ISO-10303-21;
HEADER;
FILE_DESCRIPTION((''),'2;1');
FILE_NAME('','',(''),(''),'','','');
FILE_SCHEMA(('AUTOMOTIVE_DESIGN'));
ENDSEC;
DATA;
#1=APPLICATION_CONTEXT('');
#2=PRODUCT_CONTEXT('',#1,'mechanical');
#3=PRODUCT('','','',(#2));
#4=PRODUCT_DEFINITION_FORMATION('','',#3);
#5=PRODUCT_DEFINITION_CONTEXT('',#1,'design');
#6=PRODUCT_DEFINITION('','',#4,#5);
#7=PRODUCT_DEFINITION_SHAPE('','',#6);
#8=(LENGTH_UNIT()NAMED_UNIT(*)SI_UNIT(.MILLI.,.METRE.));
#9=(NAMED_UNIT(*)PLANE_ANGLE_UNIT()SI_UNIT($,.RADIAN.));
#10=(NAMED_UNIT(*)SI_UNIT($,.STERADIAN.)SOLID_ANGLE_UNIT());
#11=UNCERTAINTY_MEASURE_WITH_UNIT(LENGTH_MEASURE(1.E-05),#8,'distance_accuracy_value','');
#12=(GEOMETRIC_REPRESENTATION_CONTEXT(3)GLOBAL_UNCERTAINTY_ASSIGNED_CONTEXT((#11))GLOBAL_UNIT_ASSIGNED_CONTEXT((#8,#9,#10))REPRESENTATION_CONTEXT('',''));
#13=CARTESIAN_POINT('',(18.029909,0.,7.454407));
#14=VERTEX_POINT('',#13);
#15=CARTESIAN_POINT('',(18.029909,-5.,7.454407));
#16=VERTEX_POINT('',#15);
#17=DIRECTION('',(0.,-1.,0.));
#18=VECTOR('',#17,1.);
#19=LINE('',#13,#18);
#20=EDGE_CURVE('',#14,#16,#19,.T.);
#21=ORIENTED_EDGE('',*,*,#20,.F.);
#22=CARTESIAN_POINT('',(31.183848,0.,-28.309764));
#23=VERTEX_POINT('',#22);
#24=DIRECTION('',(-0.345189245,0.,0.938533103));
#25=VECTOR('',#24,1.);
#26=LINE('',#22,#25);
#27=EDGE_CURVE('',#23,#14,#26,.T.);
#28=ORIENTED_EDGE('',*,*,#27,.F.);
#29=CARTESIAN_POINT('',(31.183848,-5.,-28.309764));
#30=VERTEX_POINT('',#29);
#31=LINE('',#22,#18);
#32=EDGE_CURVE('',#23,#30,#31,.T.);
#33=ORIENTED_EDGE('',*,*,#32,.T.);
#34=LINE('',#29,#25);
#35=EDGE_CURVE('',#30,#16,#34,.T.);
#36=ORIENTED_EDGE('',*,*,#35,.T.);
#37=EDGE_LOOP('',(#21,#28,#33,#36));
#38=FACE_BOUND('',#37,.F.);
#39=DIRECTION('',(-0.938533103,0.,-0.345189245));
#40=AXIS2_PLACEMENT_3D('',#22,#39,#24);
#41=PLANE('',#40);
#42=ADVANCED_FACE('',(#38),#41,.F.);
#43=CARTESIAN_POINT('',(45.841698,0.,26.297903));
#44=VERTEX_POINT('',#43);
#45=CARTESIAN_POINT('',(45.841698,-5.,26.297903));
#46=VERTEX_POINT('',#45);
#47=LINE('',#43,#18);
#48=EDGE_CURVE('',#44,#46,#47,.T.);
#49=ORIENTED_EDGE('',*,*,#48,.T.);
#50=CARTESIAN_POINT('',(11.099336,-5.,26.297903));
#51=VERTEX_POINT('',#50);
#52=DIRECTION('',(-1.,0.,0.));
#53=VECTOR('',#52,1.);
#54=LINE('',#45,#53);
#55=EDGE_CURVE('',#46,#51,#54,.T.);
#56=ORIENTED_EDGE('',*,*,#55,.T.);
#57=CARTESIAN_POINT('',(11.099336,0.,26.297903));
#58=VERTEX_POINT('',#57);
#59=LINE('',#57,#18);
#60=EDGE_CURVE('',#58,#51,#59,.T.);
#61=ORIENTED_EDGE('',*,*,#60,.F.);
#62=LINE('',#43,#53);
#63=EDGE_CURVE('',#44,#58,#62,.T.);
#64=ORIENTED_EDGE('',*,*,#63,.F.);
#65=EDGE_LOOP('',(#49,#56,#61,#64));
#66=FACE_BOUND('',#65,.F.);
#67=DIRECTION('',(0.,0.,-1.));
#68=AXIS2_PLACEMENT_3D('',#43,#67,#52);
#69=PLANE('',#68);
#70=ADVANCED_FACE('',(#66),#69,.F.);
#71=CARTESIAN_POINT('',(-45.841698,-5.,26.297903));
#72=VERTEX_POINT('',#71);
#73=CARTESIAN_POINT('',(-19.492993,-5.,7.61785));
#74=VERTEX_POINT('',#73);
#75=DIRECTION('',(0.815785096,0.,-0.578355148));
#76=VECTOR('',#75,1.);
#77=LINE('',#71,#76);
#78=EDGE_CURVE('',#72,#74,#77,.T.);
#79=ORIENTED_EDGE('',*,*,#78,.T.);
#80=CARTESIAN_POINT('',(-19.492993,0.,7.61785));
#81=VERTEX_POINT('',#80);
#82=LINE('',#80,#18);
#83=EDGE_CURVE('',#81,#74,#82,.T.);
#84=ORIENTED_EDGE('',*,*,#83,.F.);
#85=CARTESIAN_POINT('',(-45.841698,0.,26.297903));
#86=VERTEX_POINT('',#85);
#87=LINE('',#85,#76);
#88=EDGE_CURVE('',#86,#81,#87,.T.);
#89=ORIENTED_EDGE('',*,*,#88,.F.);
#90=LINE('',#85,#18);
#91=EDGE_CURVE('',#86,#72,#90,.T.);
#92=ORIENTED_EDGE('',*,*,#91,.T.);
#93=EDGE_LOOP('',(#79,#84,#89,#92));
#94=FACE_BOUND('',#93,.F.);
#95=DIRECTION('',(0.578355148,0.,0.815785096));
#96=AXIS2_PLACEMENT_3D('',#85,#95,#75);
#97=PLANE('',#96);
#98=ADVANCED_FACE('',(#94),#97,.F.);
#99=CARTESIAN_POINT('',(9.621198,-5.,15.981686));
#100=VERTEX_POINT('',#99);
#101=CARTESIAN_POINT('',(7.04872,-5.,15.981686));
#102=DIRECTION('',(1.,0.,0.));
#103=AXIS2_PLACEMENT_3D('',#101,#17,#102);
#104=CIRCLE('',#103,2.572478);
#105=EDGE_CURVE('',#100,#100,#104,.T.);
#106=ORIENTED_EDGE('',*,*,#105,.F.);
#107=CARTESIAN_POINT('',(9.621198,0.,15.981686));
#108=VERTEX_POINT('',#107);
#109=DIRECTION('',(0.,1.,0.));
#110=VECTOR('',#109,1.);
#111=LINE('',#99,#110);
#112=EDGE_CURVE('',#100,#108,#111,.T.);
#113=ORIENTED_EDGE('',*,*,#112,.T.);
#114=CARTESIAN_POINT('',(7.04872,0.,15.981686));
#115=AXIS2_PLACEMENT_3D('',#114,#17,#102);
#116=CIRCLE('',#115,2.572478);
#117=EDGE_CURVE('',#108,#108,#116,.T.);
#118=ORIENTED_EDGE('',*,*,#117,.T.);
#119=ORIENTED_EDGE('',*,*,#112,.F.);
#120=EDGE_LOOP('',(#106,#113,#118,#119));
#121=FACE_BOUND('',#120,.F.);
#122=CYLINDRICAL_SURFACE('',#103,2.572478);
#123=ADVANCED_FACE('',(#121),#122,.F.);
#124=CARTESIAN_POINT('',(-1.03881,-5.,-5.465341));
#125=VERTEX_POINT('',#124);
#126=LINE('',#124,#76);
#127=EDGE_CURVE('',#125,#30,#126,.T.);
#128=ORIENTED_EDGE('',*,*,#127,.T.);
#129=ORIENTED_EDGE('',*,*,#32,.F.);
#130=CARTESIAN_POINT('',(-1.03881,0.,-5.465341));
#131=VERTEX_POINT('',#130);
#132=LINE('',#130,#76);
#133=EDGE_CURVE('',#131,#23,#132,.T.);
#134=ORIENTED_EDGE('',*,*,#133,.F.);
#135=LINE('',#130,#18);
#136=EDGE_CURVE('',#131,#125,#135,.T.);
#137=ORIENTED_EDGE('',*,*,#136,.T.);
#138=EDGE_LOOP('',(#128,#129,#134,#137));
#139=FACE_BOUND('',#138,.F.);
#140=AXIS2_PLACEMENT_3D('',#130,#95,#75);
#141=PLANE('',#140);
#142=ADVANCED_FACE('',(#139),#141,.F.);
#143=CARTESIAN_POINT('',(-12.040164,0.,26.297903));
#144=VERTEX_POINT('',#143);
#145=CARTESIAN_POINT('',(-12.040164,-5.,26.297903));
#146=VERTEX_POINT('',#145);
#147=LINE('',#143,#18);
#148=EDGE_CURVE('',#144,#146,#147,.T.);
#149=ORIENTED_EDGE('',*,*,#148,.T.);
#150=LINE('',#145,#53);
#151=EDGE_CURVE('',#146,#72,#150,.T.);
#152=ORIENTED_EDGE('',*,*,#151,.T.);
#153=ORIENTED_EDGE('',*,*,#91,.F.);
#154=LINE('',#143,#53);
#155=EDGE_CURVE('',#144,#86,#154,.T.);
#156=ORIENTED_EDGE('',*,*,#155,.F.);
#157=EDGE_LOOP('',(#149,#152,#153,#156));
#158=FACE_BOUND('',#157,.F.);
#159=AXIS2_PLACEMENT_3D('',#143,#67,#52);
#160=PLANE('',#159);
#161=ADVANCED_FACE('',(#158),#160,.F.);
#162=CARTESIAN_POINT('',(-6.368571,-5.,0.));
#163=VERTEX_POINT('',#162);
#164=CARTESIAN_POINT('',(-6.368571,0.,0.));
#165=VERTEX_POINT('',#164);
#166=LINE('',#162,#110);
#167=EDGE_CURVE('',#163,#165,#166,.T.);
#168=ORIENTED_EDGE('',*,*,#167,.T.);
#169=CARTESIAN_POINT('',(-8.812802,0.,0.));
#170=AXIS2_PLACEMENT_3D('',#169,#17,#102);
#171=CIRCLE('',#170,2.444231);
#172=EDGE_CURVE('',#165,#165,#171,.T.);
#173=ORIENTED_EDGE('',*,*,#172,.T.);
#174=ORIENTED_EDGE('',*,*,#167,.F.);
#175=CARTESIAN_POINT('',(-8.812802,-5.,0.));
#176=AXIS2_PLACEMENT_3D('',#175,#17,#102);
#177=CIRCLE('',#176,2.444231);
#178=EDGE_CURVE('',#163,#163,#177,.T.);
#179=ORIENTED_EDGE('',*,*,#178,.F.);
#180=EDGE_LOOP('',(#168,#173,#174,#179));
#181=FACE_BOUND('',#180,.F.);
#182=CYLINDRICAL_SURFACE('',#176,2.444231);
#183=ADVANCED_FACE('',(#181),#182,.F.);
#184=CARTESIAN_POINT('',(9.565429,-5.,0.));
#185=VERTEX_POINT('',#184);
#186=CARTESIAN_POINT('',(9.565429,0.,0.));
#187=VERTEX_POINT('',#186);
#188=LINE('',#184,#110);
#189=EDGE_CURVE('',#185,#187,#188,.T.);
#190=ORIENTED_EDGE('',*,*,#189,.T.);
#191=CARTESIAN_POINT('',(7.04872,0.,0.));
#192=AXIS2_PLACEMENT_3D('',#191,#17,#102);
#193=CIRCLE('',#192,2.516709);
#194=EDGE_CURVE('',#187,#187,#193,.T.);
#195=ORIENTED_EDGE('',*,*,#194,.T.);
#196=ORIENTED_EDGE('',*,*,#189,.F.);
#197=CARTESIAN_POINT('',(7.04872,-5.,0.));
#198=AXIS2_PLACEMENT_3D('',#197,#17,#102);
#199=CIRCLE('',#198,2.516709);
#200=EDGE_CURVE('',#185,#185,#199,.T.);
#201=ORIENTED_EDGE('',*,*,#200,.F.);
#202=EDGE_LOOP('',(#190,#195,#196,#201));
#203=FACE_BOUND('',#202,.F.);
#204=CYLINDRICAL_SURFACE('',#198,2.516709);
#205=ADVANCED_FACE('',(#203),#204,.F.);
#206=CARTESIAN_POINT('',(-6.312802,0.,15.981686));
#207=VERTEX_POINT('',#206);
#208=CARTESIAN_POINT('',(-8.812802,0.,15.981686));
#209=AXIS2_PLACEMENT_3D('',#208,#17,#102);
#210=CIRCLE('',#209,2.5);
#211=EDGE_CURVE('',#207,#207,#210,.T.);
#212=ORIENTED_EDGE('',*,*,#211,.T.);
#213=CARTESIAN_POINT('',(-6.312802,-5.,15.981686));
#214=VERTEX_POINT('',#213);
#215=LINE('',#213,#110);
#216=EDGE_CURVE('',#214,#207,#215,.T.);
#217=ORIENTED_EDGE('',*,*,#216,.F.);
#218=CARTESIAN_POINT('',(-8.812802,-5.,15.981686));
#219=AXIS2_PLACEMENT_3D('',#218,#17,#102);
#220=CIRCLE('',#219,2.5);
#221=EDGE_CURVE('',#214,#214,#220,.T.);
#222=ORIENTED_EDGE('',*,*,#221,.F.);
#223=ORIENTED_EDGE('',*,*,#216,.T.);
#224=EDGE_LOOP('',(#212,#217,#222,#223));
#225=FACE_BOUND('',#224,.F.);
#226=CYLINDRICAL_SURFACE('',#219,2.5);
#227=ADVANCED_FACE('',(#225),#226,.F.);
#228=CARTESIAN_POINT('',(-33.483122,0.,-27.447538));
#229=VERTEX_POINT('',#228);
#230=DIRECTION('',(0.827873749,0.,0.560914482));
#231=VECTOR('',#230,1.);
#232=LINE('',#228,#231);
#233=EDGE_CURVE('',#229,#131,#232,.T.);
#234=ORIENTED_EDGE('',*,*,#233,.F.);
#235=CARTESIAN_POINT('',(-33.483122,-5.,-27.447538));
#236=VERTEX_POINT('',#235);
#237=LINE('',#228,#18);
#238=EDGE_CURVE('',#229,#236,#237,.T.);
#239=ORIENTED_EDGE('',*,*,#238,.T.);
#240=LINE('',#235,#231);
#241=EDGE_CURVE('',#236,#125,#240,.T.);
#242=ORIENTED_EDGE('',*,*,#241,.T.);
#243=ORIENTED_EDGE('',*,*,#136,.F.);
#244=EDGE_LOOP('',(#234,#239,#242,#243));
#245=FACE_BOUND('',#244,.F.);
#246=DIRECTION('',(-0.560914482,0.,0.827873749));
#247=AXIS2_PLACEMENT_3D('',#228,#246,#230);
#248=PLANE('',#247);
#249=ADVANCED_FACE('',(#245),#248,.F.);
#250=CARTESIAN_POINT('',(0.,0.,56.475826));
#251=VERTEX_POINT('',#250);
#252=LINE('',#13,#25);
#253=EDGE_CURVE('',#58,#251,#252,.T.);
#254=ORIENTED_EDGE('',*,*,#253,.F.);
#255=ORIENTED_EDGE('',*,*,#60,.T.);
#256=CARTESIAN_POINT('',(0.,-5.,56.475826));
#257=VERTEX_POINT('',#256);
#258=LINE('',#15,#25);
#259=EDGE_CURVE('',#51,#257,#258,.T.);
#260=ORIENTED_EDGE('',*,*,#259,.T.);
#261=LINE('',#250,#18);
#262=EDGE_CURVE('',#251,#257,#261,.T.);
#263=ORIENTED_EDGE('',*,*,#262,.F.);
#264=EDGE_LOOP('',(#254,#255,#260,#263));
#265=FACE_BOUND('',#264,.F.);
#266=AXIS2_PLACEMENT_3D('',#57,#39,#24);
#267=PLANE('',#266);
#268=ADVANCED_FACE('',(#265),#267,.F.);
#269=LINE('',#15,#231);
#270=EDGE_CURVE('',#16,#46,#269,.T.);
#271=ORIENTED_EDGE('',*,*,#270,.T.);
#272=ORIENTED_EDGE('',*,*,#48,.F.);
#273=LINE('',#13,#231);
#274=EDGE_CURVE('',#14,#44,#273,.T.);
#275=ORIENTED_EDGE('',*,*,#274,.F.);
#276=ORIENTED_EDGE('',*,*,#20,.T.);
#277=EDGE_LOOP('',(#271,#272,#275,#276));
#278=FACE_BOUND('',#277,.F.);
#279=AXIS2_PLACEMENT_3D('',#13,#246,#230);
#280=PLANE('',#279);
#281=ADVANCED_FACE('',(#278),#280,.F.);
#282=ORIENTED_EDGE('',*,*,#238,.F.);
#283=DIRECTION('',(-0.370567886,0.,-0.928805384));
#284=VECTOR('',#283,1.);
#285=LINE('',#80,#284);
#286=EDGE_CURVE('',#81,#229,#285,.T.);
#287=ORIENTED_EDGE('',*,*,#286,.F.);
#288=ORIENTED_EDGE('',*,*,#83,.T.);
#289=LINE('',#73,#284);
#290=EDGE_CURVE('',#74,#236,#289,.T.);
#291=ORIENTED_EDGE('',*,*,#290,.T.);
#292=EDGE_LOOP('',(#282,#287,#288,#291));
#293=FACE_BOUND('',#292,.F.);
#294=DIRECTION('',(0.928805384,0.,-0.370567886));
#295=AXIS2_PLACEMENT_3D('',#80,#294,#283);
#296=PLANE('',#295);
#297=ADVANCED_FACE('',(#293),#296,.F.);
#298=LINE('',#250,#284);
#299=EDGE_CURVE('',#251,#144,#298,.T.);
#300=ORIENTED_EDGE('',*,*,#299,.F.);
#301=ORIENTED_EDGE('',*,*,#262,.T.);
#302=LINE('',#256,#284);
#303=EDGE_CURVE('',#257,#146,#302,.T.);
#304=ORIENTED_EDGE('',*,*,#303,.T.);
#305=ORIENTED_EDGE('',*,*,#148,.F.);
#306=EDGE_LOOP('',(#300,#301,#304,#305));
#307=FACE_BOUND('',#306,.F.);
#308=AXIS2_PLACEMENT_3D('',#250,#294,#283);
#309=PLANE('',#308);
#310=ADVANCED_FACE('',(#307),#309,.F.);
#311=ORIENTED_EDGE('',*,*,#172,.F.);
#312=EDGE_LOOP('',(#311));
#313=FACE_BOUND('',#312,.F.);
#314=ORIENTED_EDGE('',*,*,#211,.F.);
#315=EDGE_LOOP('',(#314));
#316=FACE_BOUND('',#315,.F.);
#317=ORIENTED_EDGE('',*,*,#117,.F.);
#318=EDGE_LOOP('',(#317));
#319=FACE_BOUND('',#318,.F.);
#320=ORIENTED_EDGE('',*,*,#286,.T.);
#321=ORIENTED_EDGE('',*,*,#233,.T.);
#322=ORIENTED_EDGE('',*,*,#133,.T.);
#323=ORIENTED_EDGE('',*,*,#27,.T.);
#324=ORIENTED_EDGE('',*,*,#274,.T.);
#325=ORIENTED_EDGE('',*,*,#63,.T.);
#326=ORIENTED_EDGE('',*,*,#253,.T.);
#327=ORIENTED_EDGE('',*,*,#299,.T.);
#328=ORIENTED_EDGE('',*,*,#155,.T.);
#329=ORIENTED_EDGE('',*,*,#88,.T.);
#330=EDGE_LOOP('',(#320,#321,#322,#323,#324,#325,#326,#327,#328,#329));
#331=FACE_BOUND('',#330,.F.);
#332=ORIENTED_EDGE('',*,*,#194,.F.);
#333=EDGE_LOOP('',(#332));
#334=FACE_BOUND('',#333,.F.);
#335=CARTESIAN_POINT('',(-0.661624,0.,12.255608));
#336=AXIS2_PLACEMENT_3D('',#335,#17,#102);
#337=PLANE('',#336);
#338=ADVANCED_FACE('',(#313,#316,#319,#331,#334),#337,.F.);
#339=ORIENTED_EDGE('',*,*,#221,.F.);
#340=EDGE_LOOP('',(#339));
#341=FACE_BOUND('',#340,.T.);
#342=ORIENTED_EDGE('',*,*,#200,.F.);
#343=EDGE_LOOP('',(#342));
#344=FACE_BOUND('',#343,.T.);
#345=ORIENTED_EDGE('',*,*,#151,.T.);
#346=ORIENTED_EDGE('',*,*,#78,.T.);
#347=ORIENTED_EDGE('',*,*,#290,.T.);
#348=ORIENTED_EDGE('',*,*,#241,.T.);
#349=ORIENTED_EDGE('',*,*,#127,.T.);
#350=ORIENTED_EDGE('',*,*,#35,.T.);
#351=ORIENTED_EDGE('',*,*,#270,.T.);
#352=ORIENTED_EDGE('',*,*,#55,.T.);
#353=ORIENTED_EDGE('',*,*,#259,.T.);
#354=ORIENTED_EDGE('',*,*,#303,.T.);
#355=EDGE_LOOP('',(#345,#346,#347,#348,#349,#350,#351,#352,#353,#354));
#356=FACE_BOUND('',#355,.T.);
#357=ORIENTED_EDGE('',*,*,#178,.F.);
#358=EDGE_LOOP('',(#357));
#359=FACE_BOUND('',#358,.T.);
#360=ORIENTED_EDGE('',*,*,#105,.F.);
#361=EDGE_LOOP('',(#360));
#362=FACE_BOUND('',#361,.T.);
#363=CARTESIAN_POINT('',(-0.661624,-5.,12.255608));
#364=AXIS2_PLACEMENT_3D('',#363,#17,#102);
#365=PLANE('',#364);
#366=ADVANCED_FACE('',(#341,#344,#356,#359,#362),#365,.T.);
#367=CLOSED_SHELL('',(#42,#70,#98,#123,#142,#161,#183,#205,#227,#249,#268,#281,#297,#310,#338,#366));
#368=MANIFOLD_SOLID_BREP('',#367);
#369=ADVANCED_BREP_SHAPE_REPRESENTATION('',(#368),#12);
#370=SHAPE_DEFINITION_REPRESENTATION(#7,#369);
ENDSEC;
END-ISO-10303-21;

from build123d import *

# Parameters (mm, degrees)
F1_DEPTH = 5
F2_R     = 2.5724780171
F2_R_2   = 2.4442311935
F2_R_3   = 2.5167092106
F2_R_4   = 2.5
F3_DEPTH = 50


with BuildPart() as f1:
    # F0 (on Front) → F1 (new body)
    with BuildSketch(Plane.XZ):
        Polygon((-12.0401639329, 26.2979026884), (-19.4929930235, 7.6178495693), (-1.0388098795, -5.4653409289), (18.0299088795, 7.4544074256), (11.0993361797, 26.2979026884), align=None)
        Polygon((0, 56.4758256078), (-12.0401639329, 26.2979026884), (11.0993361797, 26.2979026884), align=None)
        Polygon((-45.8416976035, 26.2979026884), (-19.4929930235, 7.6178495693), (-12.0401639329, 26.2979026884), align=None)
        Polygon((-19.4929930235, 7.6178495693), (-33.4831215441, -27.4475384504), (-1.0388098795, -5.4653409289), align=None)
        Polygon((18.0299088795, 7.4544074256), (-1.0388098795, -5.4653409289), (31.1838481575, -28.3097643405), align=None)
        Polygon((11.0993361797, 26.2979026884), (18.0299088795, 7.4544074256), (45.8416976035, 26.2979026884), align=None)
    extrude(amount=F1_DEPTH)

    # F2 (on face) → F3 (cut)
    with BuildSketch(Plane.XZ.offset(5)):
        with Locations((7.0487202483, 15.9816861663)):
            Circle(F2_R)
        with Locations((-8.8128024074, 0)):
            Circle(F2_R_2)
        with Locations((7.0487202483, 0)):
            Circle(F2_R_3)
        with Locations((-8.8128024074, 15.9816861663)):
            Circle(F2_R_4)
    extrude(amount=-F3_DEPTH, mode=Mode.SUBTRACT)


solid = f1.part
